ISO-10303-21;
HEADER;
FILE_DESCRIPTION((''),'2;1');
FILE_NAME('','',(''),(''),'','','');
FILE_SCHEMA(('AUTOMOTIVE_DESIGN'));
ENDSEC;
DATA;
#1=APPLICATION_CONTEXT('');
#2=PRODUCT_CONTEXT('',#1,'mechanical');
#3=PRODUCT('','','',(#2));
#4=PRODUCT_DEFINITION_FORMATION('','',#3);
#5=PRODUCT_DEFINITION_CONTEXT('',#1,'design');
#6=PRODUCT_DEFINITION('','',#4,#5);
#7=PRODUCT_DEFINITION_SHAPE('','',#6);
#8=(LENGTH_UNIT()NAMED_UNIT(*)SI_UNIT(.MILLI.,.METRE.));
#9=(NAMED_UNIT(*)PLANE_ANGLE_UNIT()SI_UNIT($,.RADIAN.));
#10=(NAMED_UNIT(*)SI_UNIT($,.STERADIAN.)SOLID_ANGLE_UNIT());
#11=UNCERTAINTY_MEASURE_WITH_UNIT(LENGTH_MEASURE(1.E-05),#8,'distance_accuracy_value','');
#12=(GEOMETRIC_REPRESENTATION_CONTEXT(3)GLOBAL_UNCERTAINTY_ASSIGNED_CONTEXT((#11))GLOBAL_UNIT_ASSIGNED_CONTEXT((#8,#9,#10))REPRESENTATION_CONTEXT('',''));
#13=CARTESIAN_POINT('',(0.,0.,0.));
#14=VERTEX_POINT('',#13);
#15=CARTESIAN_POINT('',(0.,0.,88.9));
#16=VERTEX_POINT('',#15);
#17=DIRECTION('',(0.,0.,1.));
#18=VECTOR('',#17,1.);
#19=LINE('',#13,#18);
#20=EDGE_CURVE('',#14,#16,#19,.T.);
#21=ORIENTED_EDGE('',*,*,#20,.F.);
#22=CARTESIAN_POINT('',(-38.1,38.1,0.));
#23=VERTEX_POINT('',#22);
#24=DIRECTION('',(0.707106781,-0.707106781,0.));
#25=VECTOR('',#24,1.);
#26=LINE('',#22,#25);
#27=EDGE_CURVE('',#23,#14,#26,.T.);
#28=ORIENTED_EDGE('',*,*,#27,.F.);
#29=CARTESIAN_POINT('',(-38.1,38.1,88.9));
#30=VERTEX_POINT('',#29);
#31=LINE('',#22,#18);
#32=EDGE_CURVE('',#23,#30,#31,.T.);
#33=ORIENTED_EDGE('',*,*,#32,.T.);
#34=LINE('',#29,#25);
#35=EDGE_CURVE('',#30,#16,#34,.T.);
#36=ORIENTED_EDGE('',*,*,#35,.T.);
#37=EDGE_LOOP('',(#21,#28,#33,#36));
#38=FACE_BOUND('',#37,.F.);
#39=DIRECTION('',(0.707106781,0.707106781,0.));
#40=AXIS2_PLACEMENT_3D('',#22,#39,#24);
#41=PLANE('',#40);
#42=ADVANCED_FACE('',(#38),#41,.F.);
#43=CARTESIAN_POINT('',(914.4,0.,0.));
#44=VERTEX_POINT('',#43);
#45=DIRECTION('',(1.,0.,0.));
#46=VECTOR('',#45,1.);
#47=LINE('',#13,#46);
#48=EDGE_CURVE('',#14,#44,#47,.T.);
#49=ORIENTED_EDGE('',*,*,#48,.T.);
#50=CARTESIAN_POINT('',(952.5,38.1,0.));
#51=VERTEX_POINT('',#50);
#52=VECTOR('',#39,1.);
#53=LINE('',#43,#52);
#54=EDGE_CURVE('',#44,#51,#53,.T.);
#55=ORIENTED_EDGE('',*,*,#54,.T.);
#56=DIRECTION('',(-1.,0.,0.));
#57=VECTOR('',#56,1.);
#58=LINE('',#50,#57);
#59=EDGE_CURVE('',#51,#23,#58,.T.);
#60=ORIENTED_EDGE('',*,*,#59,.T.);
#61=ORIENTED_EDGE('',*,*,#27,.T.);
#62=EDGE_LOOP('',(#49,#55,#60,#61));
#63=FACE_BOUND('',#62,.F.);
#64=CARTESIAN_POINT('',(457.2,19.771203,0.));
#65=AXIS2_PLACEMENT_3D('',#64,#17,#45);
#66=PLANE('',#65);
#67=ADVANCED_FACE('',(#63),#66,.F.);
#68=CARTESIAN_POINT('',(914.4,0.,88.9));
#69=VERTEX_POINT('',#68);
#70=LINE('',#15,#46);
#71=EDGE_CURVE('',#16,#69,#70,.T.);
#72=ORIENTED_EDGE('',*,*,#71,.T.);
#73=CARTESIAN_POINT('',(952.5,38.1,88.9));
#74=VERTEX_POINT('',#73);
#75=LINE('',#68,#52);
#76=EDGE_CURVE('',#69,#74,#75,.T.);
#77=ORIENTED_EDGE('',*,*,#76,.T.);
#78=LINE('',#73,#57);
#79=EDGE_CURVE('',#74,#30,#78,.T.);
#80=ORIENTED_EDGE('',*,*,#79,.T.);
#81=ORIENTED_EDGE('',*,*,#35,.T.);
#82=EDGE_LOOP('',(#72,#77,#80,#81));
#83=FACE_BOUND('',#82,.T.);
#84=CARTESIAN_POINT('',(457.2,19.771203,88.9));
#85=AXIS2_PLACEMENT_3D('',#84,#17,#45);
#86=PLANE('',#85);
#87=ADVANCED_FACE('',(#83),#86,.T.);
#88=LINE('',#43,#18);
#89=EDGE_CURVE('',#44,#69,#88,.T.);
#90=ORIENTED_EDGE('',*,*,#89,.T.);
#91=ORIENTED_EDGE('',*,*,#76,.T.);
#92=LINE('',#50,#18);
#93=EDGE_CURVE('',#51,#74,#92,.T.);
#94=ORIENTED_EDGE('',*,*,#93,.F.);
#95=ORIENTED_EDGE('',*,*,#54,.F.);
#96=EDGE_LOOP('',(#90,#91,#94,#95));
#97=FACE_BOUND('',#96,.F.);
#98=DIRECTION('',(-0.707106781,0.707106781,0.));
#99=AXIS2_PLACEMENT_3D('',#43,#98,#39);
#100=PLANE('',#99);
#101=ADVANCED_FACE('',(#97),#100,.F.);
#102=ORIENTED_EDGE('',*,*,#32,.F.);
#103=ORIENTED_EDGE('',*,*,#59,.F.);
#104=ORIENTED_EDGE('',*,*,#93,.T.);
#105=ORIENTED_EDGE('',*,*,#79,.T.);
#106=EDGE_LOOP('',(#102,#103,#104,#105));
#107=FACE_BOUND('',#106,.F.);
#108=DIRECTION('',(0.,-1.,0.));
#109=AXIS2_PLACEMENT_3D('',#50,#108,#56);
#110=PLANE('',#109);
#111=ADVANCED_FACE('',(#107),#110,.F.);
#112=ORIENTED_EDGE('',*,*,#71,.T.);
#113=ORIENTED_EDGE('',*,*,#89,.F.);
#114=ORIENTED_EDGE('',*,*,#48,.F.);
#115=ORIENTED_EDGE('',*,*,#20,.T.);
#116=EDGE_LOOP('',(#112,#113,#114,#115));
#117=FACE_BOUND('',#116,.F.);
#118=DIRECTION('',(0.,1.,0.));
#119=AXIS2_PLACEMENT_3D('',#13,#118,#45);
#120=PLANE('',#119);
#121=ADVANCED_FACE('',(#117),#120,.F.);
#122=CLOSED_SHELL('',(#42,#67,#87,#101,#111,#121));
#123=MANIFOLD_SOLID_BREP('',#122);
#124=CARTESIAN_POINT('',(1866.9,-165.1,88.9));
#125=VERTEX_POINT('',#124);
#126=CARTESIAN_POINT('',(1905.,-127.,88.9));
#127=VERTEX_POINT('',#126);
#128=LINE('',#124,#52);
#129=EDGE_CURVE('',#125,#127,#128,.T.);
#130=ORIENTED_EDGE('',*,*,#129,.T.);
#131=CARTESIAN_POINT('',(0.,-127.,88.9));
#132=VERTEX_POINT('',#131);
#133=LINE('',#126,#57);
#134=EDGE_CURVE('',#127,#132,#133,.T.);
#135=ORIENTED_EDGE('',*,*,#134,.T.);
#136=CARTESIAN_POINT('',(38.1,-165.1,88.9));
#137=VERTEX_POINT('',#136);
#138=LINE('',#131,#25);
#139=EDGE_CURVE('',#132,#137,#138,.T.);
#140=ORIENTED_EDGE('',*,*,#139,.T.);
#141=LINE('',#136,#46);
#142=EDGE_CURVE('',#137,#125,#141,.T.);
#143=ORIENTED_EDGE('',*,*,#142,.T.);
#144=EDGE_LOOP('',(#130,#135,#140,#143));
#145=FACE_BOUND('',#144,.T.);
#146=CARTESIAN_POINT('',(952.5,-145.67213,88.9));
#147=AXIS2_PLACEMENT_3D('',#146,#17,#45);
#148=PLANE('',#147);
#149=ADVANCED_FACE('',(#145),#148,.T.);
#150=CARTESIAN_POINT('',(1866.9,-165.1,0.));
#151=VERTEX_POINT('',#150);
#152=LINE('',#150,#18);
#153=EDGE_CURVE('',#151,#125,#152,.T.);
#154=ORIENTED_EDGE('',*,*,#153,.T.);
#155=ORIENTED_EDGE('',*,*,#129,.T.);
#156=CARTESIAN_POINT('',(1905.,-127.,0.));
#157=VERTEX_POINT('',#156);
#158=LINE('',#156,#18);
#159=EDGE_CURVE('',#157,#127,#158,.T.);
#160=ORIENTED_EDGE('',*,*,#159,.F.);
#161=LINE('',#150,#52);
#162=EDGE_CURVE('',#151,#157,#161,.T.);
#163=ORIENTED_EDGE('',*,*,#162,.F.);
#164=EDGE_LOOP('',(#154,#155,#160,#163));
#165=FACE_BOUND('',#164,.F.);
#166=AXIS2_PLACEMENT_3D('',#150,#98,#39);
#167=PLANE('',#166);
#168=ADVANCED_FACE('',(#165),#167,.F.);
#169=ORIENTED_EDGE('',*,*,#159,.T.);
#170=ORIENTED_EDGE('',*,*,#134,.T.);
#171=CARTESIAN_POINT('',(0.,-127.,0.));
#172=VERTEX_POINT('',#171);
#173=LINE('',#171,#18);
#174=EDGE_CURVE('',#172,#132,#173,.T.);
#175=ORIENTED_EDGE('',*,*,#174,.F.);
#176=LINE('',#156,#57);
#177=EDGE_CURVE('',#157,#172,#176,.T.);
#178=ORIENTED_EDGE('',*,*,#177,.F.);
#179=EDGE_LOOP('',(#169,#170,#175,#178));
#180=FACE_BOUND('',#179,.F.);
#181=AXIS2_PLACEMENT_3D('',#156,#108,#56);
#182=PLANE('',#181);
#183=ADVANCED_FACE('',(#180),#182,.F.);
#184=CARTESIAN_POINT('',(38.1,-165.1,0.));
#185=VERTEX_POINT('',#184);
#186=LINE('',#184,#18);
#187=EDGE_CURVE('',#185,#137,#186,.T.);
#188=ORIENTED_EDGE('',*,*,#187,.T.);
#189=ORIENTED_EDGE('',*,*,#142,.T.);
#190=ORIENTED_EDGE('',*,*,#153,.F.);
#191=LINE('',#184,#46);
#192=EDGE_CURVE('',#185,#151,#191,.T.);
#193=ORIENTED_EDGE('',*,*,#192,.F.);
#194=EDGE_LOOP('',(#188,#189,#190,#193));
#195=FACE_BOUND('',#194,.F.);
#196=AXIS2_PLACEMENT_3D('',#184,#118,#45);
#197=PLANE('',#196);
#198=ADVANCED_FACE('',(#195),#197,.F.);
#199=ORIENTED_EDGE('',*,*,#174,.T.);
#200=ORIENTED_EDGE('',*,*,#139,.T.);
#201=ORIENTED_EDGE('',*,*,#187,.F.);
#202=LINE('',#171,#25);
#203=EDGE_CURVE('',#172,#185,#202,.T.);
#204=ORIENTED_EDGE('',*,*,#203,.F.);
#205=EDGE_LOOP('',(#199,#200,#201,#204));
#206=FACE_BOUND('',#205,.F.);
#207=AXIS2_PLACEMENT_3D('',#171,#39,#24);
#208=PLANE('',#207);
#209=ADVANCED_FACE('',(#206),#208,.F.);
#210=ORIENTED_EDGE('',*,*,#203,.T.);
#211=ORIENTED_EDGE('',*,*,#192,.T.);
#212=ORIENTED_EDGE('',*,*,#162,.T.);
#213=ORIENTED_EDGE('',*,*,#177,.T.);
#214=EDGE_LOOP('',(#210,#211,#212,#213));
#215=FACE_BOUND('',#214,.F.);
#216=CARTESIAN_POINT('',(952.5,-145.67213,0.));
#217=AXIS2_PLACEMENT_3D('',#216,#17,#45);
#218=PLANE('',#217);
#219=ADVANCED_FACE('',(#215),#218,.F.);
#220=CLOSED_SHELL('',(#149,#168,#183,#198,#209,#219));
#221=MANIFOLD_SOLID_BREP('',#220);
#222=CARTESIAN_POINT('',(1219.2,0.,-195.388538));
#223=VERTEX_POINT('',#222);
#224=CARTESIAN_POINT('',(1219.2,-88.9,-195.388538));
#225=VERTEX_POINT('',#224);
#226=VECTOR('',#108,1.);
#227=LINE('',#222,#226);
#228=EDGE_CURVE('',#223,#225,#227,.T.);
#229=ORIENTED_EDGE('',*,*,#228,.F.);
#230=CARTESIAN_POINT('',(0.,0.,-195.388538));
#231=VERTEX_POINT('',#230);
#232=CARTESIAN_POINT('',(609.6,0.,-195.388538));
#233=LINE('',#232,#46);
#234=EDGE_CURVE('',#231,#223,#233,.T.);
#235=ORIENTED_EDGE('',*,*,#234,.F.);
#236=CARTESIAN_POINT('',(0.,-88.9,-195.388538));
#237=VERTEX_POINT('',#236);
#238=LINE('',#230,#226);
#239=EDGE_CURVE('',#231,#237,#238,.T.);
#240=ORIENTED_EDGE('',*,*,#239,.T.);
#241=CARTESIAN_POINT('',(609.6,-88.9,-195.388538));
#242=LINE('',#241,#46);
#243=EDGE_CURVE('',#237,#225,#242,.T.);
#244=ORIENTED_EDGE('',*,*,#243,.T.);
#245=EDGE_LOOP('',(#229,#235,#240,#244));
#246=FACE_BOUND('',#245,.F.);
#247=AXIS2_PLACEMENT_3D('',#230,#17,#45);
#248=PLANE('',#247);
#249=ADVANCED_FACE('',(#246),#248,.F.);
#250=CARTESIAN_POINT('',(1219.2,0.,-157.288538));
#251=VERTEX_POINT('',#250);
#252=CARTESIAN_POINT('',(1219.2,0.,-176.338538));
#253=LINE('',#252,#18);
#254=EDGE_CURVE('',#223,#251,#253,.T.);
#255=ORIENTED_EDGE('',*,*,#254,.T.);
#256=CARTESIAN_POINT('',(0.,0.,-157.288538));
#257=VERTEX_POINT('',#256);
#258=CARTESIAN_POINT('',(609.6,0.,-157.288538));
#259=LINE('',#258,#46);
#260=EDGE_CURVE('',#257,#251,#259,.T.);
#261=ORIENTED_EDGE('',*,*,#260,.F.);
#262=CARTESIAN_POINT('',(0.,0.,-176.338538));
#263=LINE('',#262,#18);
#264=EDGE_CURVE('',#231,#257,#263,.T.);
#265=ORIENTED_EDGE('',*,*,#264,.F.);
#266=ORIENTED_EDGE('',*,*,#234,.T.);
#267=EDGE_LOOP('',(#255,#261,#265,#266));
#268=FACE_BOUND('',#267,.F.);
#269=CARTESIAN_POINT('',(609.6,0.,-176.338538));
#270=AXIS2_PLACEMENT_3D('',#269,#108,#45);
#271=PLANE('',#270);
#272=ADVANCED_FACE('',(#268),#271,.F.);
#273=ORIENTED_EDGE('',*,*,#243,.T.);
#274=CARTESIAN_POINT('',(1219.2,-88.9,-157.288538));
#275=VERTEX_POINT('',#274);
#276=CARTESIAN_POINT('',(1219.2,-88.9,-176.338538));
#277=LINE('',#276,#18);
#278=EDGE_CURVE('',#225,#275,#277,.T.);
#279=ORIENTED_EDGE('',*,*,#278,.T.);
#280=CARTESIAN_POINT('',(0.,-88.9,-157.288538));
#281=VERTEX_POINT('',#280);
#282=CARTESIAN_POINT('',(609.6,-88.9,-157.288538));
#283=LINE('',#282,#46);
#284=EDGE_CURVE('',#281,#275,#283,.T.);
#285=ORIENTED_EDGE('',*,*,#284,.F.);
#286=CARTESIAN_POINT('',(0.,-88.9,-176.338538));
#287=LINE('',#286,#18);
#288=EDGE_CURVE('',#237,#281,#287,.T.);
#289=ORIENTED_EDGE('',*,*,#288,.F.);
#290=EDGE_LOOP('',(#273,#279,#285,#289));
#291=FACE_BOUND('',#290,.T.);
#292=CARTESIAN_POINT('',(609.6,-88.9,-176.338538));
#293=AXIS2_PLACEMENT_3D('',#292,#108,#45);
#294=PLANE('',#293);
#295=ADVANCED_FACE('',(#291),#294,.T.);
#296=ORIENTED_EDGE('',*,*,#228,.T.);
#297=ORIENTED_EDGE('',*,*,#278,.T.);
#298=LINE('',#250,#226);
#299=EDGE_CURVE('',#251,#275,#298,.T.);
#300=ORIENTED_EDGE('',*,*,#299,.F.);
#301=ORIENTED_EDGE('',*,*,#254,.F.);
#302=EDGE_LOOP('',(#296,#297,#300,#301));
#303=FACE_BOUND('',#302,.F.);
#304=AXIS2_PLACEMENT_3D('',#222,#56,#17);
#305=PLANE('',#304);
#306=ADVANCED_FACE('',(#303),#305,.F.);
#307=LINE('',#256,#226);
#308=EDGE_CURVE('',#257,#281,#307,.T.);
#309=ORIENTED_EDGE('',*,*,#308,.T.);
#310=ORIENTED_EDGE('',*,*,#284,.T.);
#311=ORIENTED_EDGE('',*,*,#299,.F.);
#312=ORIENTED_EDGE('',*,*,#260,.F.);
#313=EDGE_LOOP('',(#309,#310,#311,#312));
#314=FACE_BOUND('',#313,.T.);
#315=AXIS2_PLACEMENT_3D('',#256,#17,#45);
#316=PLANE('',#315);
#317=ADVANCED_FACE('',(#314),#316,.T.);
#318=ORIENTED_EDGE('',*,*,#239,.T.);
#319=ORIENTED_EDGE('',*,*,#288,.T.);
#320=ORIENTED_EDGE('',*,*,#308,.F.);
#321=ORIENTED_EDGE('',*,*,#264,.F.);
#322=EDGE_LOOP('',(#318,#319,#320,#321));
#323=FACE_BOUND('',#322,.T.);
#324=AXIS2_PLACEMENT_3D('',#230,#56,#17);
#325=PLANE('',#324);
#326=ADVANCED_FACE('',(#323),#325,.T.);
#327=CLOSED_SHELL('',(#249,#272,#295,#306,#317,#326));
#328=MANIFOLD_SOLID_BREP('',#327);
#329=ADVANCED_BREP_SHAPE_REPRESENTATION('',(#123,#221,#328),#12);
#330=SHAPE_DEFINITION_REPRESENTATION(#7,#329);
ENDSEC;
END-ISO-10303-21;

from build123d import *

# Parameters (mm, degrees)
F1_DEPTH = 88.9
F3_DEPTH = 88.9
F4_W     = 1219.2
F4_H     = 38.1
F5_DEPTH = 88.9


with BuildPart() as f1:
    # F0 (on Top) → F1 (new body)
    with BuildSketch(Plane.XY):
        Polygon((-38.1, 38.1), (0, 0), (914.4, 0), (952.5, 38.1), align=None)
    extrude(amount=F1_DEPTH)


with BuildPart() as f3:
    # F2 (on Top) → F3 (new body)
    with BuildSketch(Plane.XY):
        Polygon((0, -127), (38.1, -165.1), (1866.9, -165.1), (1905, -127), align=None)
    extrude(amount=F3_DEPTH)


with BuildPart() as f5:
    # F4 (on Front) → F5 (new body)
    with BuildSketch(Plane.XZ):
        with Locations((609.6, -176.338538)):
            Rectangle(F4_W, F4_H)
    extrude(amount=F5_DEPTH)


solid = Compound([f1.part, f3.part, f5.part])
